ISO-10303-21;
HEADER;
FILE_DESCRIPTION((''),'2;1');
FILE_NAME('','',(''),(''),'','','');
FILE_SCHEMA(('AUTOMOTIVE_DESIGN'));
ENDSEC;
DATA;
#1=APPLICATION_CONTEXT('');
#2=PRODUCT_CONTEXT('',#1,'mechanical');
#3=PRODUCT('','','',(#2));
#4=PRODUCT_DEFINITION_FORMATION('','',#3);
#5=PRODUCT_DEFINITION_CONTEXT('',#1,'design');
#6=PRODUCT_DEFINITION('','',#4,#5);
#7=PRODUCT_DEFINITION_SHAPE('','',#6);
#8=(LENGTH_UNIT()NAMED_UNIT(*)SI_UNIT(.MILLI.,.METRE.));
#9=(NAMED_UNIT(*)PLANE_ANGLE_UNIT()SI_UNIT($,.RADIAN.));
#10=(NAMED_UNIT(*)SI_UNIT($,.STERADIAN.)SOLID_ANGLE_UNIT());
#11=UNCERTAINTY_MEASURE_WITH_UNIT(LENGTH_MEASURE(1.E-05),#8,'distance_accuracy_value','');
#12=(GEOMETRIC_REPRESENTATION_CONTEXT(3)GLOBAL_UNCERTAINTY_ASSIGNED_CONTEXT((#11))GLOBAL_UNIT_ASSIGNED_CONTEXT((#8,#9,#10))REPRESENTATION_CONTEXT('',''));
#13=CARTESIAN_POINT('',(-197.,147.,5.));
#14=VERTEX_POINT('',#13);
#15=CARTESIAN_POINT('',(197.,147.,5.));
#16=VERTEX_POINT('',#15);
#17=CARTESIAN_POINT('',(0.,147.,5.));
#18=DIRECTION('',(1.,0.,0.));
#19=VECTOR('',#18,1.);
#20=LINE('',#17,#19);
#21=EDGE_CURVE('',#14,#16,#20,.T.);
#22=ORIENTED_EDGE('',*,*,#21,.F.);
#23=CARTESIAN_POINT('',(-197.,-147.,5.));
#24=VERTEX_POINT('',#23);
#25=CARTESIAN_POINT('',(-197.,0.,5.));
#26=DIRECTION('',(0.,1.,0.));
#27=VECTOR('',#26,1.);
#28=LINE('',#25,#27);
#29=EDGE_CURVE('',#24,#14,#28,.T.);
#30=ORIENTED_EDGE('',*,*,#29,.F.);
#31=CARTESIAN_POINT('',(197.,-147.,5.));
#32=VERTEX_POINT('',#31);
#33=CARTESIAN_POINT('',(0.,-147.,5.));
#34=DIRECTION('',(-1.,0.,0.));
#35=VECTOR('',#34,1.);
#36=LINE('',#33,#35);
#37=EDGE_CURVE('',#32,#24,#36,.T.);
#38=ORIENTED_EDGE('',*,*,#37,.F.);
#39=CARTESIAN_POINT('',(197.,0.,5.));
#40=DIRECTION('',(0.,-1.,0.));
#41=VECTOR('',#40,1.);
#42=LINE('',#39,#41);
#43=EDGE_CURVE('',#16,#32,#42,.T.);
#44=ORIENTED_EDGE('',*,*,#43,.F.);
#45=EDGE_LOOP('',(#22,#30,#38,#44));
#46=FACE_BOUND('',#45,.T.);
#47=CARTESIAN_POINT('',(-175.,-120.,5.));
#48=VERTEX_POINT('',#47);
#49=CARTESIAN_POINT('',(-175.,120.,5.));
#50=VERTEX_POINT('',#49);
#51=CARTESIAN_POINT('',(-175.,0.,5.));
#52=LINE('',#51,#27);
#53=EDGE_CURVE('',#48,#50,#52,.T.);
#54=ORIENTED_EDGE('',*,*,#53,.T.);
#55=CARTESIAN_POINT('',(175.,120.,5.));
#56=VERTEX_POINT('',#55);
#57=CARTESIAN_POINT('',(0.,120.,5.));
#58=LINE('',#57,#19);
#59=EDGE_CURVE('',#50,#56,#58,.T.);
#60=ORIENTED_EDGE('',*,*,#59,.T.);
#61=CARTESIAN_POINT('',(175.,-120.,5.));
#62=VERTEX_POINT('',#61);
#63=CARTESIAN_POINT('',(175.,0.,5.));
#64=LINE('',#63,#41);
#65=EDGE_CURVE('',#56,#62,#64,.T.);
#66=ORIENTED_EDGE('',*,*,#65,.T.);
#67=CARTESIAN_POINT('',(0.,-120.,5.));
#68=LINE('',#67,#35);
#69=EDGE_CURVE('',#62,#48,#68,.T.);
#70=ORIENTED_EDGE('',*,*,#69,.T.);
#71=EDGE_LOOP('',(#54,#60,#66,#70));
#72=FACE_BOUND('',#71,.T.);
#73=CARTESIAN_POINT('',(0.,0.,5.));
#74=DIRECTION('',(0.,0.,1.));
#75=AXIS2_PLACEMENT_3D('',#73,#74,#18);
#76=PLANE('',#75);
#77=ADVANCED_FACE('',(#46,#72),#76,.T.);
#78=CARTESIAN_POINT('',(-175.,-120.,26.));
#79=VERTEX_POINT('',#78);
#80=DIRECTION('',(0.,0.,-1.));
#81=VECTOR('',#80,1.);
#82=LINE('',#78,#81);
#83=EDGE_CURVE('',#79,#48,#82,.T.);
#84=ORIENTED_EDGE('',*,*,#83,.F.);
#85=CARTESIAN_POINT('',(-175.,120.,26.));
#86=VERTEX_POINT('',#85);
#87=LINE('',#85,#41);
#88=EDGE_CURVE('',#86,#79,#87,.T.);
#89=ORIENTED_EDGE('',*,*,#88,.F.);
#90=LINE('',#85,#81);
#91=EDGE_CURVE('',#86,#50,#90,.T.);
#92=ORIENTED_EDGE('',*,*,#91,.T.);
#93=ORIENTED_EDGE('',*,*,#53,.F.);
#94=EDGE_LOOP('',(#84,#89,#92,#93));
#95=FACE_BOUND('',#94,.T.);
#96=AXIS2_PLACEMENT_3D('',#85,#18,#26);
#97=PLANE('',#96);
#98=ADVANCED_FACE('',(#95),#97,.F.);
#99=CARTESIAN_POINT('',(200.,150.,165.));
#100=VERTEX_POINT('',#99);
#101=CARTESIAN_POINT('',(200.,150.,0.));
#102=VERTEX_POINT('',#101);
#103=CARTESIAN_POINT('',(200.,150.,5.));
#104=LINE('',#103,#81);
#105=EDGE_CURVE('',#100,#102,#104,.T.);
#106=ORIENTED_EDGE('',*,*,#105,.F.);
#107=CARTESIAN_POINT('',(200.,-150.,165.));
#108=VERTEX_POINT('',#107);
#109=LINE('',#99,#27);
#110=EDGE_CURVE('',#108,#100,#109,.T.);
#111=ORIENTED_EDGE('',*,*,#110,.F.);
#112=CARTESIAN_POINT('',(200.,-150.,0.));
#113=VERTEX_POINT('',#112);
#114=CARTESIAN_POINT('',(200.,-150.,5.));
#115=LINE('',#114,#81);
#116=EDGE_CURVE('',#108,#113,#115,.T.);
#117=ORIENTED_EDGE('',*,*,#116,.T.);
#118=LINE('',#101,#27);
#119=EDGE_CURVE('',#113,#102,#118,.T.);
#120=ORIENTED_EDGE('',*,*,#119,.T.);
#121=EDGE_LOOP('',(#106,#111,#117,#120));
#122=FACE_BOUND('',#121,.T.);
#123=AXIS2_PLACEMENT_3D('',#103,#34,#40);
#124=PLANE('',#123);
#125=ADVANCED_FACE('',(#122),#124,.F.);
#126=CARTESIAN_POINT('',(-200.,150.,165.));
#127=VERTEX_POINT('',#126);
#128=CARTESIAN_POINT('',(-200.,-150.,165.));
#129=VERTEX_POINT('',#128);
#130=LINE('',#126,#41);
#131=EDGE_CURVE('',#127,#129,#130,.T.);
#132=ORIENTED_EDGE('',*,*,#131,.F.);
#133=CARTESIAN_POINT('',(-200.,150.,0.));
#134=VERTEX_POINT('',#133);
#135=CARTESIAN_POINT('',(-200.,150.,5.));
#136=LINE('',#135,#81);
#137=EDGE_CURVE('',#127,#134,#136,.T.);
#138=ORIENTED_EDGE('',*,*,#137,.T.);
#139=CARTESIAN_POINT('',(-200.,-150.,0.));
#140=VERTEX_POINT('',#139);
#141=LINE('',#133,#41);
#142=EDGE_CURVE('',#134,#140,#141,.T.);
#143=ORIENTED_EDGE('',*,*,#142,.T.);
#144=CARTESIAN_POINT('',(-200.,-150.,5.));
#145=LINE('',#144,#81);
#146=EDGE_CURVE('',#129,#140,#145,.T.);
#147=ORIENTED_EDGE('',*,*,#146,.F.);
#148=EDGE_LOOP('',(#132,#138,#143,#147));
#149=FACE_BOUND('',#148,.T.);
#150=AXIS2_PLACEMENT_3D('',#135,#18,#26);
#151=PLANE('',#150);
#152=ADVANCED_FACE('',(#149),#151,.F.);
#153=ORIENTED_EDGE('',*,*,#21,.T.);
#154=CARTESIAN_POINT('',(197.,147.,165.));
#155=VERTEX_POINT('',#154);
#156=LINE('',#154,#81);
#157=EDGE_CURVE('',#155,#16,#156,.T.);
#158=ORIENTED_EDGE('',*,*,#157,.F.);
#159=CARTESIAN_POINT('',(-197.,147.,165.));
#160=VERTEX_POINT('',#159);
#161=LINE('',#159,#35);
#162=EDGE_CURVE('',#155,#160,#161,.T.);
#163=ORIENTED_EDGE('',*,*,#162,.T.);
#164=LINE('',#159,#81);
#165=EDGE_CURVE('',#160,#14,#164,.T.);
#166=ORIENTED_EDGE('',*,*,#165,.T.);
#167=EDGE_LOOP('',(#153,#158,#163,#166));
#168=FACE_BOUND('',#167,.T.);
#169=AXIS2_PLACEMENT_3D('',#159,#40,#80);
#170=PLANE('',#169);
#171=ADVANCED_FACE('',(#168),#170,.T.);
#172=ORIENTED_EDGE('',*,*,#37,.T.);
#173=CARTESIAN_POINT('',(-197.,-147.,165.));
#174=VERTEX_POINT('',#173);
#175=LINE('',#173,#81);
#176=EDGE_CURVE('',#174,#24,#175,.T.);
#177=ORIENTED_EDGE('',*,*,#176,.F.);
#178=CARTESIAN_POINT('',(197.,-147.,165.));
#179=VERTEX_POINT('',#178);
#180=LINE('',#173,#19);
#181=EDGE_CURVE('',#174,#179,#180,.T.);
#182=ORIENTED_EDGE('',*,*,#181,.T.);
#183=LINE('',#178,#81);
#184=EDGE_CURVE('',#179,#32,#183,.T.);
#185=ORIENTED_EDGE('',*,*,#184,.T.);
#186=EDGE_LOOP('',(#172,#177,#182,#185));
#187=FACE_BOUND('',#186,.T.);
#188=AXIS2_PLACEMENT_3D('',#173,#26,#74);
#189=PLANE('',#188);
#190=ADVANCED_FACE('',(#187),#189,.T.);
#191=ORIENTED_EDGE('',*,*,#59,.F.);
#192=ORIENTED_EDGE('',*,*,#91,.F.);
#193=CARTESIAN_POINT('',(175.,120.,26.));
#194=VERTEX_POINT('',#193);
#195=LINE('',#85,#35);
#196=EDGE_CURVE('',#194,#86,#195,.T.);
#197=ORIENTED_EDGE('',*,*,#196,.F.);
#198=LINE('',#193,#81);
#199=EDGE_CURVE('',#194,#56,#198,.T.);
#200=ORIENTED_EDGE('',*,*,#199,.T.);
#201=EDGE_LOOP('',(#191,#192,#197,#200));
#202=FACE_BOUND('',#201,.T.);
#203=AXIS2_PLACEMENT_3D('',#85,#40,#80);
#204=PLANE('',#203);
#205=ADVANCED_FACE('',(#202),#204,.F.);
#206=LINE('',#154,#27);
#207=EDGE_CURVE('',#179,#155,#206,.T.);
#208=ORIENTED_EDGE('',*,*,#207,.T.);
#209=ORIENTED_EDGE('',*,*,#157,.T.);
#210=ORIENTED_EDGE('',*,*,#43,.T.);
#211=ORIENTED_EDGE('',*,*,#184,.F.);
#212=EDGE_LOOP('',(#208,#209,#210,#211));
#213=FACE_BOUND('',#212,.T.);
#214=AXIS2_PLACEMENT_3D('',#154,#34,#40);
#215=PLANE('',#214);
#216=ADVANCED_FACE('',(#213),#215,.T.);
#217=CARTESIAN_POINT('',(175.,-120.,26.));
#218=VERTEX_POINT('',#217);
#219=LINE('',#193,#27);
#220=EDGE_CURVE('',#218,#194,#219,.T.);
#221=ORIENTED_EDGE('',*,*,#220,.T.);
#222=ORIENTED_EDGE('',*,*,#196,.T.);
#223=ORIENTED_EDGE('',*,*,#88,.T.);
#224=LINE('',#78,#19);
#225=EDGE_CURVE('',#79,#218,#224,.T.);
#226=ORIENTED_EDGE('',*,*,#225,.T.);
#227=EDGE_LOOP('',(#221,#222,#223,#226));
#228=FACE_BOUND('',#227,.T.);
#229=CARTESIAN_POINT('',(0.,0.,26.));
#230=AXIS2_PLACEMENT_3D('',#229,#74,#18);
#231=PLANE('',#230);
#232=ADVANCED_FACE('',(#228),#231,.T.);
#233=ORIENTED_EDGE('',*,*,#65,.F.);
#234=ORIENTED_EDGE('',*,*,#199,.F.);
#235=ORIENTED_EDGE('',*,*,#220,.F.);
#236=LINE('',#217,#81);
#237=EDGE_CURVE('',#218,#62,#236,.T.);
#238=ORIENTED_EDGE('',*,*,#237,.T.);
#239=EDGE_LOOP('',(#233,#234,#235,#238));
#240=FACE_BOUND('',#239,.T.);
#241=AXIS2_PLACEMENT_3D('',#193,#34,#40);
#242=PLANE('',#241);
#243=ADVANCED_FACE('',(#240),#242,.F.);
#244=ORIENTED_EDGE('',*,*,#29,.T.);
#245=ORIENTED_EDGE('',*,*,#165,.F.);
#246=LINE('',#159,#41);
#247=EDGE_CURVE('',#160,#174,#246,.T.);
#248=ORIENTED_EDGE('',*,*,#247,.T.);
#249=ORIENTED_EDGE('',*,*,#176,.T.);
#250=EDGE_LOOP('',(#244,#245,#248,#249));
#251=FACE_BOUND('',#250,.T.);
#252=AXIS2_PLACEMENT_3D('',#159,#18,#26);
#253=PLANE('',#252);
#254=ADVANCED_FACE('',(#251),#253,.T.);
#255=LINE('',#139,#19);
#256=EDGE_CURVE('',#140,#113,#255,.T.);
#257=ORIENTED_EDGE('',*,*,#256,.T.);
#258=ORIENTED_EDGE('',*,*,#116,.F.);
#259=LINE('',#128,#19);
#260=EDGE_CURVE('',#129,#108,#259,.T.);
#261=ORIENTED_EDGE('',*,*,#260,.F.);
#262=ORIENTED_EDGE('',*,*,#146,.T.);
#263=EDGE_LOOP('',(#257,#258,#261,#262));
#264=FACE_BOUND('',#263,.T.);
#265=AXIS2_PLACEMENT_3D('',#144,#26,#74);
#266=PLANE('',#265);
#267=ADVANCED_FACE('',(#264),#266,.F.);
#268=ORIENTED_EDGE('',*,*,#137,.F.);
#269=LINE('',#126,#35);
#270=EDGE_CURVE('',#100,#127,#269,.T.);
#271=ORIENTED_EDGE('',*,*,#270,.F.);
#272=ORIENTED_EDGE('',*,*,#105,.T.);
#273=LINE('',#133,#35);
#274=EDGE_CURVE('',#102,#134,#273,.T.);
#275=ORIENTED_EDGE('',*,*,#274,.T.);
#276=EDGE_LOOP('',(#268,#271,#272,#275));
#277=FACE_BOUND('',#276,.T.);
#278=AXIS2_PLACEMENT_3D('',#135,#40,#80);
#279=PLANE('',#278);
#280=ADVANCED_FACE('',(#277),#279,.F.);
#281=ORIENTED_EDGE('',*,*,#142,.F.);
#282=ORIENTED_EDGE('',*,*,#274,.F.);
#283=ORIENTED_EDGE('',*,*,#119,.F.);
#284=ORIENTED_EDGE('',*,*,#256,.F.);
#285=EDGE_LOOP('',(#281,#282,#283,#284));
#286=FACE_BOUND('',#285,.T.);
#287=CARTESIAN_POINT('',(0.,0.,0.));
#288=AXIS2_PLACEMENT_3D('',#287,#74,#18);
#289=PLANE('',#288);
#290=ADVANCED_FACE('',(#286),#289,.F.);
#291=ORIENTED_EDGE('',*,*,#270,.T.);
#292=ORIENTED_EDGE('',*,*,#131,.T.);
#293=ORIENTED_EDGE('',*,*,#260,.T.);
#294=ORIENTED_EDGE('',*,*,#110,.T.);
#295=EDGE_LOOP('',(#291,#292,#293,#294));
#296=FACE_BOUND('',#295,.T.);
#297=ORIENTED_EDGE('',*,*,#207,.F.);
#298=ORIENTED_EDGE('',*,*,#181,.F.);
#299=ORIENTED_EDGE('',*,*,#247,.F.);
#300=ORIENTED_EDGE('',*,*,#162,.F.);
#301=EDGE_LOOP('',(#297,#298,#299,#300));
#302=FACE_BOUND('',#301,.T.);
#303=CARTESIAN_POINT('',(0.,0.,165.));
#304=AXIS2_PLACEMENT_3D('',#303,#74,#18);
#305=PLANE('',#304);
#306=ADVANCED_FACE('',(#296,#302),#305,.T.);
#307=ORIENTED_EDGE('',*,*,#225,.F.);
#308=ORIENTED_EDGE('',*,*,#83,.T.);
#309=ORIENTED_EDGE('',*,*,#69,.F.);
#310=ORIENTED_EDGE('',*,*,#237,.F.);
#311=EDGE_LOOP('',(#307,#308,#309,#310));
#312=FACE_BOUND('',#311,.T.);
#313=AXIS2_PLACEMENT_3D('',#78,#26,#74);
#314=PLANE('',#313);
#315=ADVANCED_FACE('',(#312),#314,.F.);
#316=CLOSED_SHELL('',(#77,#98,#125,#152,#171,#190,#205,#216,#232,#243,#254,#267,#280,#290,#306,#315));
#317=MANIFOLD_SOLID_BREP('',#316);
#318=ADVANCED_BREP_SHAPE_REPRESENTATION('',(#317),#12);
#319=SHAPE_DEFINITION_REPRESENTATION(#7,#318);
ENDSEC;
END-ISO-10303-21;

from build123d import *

# Parameters (mm, degrees)
SKETCH1_W           = 400
SKETCH1_H           = 300
BOSS_EXTRUDE1_DEPTH = 5
SKETCH2_W           = 400
SKETCH2_H           = 300
SKETCH2_W_2         = 394
SKETCH2_H_2         = 294
BOSS_EXTRUDE2_DEPTH = 165
SKETCH3_W           = 350
SKETCH3_H           = 240
BOSS_EXTRUDE3_DEPTH = 26


with BuildPart() as part:
    # Sketch1 → Boss-Extrude1 (new body)
    with BuildSketch(Plane.XY):
        Rectangle(SKETCH1_W, SKETCH1_H)
    extrude(amount=BOSS_EXTRUDE1_DEPTH)

    # Sketch2 → Boss-Extrude2 (add)
    with BuildSketch(Plane.XY):
        Rectangle(SKETCH2_W, SKETCH2_H)
        Rectangle(SKETCH2_W_2, SKETCH2_H_2, mode=Mode.SUBTRACT)
    extrude(amount=BOSS_EXTRUDE2_DEPTH)

    # Sketch3 → Boss-Extrude3 (add)
    with BuildSketch(Plane.XY):
        Rectangle(SKETCH3_W, SKETCH3_H)
    extrude(amount=BOSS_EXTRUDE3_DEPTH)


solid = part.part
